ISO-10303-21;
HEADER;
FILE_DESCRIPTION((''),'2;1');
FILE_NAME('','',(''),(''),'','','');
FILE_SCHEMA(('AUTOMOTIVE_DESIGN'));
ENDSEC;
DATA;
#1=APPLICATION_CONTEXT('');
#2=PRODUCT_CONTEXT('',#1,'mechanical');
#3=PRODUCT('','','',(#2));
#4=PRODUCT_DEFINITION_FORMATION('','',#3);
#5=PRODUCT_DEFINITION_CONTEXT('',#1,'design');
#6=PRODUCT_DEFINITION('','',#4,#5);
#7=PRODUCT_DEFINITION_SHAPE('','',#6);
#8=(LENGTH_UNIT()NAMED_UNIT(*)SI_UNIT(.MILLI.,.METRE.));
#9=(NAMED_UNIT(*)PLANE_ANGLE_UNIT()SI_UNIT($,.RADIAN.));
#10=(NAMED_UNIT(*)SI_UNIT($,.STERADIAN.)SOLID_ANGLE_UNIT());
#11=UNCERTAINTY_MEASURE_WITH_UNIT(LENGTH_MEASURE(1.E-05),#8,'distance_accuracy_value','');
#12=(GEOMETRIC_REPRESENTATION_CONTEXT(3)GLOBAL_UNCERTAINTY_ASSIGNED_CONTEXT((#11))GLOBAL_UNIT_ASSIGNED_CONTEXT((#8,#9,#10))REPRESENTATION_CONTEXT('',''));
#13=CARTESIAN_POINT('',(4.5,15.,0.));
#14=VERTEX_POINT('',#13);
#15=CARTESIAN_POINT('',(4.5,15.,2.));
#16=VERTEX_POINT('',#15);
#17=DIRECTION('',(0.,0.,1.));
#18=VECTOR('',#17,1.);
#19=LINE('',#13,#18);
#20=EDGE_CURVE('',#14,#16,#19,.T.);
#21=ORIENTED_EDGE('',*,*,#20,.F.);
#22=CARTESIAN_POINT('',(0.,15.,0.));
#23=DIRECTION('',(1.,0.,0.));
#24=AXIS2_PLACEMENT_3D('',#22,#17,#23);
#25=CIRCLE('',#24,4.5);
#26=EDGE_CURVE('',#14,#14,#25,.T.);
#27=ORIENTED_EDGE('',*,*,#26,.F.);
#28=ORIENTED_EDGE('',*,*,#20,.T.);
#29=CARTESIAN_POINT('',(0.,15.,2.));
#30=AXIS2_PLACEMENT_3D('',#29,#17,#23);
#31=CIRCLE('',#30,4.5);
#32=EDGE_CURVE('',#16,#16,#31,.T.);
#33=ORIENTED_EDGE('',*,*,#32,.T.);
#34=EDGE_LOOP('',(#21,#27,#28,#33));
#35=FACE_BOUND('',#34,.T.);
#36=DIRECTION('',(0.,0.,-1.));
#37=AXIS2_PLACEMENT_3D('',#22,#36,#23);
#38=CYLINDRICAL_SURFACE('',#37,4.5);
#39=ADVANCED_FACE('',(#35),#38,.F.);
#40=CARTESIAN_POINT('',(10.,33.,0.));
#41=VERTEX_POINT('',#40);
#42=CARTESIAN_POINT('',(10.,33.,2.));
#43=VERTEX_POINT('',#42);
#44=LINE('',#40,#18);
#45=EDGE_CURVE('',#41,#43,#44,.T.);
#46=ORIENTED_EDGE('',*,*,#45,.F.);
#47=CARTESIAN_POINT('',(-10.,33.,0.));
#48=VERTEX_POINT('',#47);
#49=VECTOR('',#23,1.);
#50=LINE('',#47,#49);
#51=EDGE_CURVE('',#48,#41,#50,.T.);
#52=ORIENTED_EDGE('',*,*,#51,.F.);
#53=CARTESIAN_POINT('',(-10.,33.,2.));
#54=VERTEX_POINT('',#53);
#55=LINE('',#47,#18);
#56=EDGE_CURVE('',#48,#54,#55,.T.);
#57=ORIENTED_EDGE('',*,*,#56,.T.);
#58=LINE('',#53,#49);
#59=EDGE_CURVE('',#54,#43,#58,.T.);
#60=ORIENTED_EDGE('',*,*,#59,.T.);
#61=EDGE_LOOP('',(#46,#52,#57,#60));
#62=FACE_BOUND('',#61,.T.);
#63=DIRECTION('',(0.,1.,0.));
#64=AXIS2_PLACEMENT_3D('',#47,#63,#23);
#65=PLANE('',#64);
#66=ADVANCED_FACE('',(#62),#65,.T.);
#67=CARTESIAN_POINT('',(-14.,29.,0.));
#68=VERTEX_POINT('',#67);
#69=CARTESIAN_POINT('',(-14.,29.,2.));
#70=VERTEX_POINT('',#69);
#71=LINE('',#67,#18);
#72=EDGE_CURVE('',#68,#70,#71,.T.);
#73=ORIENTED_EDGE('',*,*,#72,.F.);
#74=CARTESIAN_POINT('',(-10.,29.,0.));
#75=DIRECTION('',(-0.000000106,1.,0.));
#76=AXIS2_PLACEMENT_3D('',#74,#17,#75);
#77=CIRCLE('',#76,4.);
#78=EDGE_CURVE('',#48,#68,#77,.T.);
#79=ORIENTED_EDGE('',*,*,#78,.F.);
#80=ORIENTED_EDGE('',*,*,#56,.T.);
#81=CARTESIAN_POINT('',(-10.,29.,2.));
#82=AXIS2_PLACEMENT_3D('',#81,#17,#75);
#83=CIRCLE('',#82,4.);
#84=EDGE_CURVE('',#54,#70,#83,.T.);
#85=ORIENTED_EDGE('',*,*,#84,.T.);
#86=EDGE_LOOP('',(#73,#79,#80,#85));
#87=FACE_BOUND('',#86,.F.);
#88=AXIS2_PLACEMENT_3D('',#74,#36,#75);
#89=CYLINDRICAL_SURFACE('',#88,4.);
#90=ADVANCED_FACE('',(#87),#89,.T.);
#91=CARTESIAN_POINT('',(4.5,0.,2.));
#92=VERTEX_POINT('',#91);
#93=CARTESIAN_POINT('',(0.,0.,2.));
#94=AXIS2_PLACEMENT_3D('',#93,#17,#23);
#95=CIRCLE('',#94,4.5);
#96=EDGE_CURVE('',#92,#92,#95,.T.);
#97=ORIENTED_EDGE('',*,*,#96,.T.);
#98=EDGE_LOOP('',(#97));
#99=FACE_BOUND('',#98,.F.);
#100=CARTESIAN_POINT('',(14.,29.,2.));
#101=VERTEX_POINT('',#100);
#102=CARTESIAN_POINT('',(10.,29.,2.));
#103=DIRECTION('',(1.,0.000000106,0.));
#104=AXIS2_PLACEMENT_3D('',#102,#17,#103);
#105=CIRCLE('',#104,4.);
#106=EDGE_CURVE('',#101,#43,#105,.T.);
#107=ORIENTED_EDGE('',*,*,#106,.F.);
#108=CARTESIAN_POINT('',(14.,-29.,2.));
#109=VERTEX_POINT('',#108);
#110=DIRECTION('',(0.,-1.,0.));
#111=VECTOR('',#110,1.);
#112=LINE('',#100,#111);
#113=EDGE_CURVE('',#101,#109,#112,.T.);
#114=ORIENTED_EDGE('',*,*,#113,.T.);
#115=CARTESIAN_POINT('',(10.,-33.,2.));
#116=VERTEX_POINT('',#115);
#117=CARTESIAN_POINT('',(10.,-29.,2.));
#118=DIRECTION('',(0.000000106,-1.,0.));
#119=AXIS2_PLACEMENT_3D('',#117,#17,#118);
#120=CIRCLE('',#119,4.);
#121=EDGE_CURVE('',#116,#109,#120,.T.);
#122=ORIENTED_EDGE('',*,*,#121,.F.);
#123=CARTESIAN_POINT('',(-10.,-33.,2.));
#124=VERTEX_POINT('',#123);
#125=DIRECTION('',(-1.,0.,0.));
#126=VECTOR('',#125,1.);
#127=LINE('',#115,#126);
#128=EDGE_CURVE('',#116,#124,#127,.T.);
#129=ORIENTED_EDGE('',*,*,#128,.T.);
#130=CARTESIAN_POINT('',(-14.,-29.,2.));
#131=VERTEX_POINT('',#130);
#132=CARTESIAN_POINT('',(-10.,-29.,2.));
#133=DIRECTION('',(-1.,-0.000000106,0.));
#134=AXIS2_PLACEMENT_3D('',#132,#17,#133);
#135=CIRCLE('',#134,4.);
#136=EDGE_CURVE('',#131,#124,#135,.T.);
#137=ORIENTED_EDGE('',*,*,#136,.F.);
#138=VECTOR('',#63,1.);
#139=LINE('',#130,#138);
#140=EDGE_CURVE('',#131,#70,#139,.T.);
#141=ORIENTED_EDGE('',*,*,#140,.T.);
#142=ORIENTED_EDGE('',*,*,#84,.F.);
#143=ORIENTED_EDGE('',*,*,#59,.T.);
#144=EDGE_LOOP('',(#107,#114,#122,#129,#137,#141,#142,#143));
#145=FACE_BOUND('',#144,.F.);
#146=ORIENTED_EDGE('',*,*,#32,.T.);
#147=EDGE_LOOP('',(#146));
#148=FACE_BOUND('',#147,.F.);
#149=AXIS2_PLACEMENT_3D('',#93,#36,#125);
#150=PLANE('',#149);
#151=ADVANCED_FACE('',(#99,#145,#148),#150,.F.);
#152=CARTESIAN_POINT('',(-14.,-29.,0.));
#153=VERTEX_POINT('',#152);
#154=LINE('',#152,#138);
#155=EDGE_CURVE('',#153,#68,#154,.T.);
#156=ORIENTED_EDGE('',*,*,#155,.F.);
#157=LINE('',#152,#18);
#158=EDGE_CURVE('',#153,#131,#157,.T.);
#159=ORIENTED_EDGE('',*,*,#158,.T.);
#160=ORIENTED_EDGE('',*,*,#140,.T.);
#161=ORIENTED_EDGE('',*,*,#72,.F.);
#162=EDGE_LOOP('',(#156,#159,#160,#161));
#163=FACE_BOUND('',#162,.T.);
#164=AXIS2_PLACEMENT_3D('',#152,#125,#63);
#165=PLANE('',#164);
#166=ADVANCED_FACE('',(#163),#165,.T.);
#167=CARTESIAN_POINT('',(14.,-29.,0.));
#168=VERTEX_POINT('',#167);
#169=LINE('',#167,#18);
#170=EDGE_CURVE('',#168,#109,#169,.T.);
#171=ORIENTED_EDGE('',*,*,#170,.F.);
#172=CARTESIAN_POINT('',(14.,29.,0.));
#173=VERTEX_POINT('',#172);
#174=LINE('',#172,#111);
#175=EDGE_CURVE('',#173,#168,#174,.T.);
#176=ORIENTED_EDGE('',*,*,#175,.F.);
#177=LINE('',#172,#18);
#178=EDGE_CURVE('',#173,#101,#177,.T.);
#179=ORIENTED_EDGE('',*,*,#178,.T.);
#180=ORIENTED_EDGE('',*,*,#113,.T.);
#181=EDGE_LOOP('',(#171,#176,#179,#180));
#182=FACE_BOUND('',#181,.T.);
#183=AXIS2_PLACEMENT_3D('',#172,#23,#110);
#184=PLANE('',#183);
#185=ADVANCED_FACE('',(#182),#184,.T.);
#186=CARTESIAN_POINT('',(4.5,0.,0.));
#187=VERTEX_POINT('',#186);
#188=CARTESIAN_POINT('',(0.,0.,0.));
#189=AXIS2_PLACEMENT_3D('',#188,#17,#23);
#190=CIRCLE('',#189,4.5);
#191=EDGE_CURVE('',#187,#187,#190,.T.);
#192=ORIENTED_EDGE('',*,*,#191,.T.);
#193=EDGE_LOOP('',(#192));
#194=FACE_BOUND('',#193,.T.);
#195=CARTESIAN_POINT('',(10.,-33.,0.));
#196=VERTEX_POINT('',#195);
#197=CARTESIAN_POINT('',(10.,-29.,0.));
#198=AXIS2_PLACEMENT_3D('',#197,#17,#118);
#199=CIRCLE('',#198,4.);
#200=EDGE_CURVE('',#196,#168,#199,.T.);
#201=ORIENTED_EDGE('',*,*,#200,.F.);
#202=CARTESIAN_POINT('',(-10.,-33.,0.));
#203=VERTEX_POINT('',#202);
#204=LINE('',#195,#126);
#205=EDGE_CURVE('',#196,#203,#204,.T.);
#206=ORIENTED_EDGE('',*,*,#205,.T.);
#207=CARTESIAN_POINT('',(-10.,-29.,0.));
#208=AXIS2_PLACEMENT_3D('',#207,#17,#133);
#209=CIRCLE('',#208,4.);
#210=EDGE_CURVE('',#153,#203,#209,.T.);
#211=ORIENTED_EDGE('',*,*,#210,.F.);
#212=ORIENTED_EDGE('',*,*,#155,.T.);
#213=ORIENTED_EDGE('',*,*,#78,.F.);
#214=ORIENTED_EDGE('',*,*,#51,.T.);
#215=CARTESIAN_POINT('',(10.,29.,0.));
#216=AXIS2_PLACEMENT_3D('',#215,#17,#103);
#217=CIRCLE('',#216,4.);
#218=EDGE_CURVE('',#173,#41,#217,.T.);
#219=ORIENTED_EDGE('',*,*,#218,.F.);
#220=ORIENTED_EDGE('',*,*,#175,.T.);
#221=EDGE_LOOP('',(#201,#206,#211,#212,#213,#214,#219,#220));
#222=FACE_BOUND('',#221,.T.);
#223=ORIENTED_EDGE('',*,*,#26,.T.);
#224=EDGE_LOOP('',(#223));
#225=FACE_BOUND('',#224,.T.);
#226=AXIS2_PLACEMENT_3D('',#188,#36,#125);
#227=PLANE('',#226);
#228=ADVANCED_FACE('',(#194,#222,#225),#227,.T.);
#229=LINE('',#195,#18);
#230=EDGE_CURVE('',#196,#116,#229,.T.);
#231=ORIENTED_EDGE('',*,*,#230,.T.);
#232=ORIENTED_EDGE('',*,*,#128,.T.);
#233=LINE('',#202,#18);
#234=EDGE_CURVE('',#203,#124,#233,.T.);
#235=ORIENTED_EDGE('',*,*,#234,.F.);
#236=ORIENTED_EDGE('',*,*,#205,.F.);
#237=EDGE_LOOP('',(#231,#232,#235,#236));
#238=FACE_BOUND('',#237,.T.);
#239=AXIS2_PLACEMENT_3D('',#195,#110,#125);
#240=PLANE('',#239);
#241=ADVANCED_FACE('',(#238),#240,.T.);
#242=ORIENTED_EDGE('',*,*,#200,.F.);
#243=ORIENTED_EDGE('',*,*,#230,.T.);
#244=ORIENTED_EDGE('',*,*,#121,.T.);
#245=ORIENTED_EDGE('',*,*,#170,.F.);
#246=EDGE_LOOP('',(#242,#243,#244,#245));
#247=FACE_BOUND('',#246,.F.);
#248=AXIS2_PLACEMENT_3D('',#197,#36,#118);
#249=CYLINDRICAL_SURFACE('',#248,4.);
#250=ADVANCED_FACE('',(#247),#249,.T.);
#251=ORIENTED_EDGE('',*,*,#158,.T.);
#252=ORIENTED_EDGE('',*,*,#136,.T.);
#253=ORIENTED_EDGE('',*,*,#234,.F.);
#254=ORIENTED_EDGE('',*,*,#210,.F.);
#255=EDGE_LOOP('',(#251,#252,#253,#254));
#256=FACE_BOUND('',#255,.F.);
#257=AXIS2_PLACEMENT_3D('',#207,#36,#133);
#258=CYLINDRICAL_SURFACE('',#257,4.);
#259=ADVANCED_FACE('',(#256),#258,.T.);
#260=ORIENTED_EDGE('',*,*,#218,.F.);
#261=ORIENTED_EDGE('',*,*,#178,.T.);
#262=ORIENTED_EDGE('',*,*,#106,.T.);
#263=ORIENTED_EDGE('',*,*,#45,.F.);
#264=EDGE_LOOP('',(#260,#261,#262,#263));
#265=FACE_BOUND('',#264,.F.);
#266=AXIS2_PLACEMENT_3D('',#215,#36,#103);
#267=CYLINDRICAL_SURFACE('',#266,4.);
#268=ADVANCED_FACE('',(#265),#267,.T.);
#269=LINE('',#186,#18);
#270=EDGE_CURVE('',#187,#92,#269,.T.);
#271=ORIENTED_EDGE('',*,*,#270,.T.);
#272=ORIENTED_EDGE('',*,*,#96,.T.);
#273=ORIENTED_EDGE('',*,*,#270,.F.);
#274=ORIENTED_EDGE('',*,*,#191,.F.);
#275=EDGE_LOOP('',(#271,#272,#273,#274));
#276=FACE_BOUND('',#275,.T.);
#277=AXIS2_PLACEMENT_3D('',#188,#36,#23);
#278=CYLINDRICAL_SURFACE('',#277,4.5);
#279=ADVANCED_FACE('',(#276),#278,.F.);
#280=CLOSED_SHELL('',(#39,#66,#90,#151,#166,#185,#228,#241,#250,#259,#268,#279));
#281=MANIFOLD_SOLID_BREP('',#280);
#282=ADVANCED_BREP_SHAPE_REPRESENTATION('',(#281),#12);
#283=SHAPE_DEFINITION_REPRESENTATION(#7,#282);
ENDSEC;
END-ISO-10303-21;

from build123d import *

# Parameters (mm, degrees)
SKETCH_R  = 4.5
PAD_DEPTH = 2


with BuildPart() as part:
    # Sketch → Pad (new body)
    with BuildSketch(Plane.XY):
        with BuildLine():
            Line((-10, 33), (10, 33))
            ThreePointArc((14, 29), (12.828427, 31.828427), (10, 33))
            Line((14, 29), (14, -29))
            ThreePointArc((10, -33), (12.828427, -31.828427), (14, -29))
            Line((10, -33), (-10, -33))
            ThreePointArc((-14, -29), (-12.828427, -31.828427), (-10, -33))
            Line((-14, -29), (-14, 29))
            ThreePointArc((-10, 33), (-12.828427, 31.828427), (-14, 29))
        make_face()
        Circle(SKETCH_R, mode=Mode.SUBTRACT)
        with Locations((0, 15)):
            Circle(SKETCH_R, mode=Mode.SUBTRACT)
    extrude(amount=PAD_DEPTH)


solid = part.part
